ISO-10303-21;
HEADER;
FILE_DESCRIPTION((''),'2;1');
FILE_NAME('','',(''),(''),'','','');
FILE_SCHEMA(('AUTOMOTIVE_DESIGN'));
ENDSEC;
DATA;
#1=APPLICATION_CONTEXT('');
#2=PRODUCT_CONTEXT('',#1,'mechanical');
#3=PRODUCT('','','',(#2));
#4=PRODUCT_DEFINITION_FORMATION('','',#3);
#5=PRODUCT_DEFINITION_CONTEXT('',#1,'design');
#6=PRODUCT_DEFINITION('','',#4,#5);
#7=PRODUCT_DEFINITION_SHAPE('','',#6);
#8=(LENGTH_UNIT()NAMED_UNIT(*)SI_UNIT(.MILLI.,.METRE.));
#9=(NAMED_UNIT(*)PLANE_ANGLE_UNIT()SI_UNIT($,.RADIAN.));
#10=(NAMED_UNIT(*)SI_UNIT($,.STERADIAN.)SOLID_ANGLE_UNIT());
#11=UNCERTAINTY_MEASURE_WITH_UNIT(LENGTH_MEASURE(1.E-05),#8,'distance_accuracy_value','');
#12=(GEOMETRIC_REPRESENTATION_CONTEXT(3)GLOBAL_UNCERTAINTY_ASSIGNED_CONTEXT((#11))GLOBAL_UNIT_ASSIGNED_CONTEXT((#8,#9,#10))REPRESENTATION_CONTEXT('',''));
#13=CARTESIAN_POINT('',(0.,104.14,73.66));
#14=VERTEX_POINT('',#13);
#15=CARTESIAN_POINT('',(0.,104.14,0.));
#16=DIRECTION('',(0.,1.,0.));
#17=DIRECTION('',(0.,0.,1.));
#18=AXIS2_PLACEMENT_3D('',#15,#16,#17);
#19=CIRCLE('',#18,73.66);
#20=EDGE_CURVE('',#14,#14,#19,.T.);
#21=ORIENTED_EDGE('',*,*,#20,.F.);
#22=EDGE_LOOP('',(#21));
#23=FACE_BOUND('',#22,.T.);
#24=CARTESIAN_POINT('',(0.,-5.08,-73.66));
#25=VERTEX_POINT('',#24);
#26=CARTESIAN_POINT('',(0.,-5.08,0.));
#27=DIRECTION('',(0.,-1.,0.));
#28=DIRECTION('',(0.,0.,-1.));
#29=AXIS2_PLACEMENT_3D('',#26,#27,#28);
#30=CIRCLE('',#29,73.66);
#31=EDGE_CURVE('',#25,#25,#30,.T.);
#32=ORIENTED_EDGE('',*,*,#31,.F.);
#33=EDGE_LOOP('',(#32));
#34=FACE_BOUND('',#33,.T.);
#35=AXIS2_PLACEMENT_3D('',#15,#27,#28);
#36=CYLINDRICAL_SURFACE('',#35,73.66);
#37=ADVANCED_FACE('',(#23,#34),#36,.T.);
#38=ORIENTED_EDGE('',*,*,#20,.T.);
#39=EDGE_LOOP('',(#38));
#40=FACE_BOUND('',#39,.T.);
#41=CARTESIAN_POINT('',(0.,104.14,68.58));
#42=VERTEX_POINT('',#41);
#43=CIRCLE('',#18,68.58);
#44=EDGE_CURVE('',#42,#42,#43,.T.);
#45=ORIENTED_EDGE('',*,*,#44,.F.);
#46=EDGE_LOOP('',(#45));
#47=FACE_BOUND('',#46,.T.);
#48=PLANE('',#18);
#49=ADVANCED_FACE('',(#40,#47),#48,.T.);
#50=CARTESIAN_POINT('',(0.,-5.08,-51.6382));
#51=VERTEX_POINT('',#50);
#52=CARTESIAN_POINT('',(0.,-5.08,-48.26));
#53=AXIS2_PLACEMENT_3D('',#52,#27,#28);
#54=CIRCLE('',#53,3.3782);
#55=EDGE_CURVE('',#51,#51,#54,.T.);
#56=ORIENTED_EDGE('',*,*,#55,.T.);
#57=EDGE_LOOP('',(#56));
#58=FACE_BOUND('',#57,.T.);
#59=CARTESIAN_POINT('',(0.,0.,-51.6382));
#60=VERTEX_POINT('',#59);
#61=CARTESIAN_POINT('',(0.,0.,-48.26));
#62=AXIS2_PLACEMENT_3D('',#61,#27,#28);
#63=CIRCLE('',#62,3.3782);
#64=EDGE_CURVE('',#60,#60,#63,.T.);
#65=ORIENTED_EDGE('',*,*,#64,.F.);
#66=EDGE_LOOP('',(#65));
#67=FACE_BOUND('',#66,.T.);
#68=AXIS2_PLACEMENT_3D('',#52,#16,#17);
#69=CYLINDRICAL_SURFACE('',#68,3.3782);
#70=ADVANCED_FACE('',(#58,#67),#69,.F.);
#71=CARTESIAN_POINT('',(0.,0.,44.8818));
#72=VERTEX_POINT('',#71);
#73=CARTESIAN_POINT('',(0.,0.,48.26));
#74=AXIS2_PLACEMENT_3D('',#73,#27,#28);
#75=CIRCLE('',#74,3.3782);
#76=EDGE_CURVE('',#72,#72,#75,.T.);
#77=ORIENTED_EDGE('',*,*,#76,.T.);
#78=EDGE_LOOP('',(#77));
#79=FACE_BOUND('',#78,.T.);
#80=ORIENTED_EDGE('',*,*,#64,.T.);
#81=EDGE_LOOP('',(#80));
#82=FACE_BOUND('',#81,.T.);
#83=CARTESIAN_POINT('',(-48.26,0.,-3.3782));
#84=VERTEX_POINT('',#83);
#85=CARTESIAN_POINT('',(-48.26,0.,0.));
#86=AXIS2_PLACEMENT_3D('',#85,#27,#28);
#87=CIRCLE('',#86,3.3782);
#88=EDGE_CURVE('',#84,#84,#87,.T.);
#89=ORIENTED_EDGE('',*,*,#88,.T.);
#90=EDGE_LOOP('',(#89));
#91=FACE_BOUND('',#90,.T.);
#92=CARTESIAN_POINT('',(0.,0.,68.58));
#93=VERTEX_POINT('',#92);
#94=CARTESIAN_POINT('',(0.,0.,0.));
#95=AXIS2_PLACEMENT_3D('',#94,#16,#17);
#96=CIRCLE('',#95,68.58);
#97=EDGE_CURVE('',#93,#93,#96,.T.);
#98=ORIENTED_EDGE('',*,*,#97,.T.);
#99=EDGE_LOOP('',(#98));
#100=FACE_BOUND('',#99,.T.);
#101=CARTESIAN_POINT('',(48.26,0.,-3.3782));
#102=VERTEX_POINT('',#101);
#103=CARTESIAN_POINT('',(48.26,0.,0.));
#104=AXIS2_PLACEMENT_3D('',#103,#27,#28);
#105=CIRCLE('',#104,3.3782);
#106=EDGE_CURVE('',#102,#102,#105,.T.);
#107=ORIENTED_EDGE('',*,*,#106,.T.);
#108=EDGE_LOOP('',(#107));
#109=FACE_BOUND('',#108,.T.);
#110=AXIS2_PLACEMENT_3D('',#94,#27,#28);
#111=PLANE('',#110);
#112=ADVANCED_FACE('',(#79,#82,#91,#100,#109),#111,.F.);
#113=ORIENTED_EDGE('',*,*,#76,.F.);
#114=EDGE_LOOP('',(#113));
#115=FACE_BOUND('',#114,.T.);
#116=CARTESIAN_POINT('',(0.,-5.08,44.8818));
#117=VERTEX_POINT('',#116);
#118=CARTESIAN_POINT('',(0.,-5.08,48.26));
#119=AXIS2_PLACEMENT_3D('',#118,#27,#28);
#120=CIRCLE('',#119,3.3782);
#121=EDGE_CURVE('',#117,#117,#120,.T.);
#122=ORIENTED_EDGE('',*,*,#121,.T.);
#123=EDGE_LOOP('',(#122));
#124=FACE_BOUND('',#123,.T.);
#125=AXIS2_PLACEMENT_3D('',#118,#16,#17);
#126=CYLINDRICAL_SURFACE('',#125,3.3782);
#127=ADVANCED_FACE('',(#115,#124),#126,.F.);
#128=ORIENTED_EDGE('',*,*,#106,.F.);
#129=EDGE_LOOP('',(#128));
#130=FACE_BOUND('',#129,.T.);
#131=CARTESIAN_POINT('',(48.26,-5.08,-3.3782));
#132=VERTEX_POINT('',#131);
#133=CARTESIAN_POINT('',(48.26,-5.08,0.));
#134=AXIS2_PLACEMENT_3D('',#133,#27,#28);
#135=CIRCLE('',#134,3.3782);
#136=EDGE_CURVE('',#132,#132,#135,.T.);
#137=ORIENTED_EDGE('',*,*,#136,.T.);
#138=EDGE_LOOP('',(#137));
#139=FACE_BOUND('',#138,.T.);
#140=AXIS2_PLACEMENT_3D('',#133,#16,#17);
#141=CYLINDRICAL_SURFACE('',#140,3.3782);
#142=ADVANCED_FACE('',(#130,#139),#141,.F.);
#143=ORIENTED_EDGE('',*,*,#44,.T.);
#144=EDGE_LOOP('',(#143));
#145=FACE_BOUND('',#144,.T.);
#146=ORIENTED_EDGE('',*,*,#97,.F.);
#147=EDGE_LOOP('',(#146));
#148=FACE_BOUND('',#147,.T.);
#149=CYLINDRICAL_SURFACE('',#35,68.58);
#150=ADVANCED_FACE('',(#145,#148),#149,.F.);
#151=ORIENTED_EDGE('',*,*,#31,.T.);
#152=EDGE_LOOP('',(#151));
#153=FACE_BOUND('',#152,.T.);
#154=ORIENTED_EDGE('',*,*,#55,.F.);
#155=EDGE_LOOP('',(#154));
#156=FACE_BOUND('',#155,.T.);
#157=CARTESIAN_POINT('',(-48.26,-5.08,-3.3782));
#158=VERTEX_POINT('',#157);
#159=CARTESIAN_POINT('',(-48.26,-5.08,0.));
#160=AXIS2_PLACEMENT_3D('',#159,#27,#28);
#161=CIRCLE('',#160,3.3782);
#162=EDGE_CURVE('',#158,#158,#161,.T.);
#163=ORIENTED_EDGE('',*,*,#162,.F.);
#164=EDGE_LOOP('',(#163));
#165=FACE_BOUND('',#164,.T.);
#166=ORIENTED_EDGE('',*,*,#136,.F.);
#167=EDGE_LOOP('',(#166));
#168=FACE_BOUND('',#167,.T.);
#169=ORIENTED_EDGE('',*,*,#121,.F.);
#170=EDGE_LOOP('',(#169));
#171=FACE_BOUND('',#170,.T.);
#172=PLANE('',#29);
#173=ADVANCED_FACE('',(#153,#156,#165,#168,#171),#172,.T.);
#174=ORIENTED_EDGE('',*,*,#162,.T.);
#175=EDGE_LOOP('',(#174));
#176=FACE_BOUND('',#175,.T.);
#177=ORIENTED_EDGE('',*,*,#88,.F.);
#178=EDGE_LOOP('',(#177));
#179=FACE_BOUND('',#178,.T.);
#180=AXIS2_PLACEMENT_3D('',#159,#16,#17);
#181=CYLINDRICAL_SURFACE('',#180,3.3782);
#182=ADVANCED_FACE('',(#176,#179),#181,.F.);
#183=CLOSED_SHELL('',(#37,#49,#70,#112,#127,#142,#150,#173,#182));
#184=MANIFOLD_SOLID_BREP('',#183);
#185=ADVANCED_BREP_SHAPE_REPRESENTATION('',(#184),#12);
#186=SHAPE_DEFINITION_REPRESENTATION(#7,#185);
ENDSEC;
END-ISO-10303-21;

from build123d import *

# Parameters (mm, degrees)
SKETCH1_R           = 73.66
SKETCH1_R_2         = 68.58
BOSS_EXTRUDE1_DEPTH = 104.14
BOSS_EXTRUDE2_START = 5.08
SKETCH2_R           = 73.66
SKETCH2_R_2         = 3.3782
BOSS_EXTRUDE2_DEPTH = 5.08


with BuildPart() as part:
    # Sketch1 → Boss-Extrude1 (new body)
    with BuildSketch(Plane(origin=(0, 0, 0), x_dir=(1, 0, 0), z_dir=(0, 1, 0))):
        with Locations(Location((0, 0, 0), (0, 0, 270))):
            Circle(SKETCH1_R)
        with Locations(Location((0, 0, 0), (0, 0, 270))):
            Circle(SKETCH1_R_2, mode=Mode.SUBTRACT)
    extrude(amount=BOSS_EXTRUDE1_DEPTH)

    # Sketch2 → Boss-Extrude2 (add)
    with BuildSketch(Plane.XZ.offset(BOSS_EXTRUDE2_START)):
        with Locations(Location((0, 0, 0), (0, 0, 270))):
            Circle(SKETCH2_R)
        with Locations(Location((0, 48.26, 0), (0, 0, 270))):
            Circle(SKETCH2_R_2, mode=Mode.SUBTRACT)
        with Locations(Location((48.26, 0, 0), (0, 0, 270))):
            Circle(SKETCH2_R_2, mode=Mode.SUBTRACT)
        with Locations(Location((0, -48.26, 0), (0, 0, 270))):
            Circle(SKETCH2_R_2, mode=Mode.SUBTRACT)
        with Locations(Location((-48.26, 0, 0), (0, 0, 270))):
            Circle(SKETCH2_R_2, mode=Mode.SUBTRACT)
    extrude(amount=-BOSS_EXTRUDE2_DEPTH)


solid = part.part
